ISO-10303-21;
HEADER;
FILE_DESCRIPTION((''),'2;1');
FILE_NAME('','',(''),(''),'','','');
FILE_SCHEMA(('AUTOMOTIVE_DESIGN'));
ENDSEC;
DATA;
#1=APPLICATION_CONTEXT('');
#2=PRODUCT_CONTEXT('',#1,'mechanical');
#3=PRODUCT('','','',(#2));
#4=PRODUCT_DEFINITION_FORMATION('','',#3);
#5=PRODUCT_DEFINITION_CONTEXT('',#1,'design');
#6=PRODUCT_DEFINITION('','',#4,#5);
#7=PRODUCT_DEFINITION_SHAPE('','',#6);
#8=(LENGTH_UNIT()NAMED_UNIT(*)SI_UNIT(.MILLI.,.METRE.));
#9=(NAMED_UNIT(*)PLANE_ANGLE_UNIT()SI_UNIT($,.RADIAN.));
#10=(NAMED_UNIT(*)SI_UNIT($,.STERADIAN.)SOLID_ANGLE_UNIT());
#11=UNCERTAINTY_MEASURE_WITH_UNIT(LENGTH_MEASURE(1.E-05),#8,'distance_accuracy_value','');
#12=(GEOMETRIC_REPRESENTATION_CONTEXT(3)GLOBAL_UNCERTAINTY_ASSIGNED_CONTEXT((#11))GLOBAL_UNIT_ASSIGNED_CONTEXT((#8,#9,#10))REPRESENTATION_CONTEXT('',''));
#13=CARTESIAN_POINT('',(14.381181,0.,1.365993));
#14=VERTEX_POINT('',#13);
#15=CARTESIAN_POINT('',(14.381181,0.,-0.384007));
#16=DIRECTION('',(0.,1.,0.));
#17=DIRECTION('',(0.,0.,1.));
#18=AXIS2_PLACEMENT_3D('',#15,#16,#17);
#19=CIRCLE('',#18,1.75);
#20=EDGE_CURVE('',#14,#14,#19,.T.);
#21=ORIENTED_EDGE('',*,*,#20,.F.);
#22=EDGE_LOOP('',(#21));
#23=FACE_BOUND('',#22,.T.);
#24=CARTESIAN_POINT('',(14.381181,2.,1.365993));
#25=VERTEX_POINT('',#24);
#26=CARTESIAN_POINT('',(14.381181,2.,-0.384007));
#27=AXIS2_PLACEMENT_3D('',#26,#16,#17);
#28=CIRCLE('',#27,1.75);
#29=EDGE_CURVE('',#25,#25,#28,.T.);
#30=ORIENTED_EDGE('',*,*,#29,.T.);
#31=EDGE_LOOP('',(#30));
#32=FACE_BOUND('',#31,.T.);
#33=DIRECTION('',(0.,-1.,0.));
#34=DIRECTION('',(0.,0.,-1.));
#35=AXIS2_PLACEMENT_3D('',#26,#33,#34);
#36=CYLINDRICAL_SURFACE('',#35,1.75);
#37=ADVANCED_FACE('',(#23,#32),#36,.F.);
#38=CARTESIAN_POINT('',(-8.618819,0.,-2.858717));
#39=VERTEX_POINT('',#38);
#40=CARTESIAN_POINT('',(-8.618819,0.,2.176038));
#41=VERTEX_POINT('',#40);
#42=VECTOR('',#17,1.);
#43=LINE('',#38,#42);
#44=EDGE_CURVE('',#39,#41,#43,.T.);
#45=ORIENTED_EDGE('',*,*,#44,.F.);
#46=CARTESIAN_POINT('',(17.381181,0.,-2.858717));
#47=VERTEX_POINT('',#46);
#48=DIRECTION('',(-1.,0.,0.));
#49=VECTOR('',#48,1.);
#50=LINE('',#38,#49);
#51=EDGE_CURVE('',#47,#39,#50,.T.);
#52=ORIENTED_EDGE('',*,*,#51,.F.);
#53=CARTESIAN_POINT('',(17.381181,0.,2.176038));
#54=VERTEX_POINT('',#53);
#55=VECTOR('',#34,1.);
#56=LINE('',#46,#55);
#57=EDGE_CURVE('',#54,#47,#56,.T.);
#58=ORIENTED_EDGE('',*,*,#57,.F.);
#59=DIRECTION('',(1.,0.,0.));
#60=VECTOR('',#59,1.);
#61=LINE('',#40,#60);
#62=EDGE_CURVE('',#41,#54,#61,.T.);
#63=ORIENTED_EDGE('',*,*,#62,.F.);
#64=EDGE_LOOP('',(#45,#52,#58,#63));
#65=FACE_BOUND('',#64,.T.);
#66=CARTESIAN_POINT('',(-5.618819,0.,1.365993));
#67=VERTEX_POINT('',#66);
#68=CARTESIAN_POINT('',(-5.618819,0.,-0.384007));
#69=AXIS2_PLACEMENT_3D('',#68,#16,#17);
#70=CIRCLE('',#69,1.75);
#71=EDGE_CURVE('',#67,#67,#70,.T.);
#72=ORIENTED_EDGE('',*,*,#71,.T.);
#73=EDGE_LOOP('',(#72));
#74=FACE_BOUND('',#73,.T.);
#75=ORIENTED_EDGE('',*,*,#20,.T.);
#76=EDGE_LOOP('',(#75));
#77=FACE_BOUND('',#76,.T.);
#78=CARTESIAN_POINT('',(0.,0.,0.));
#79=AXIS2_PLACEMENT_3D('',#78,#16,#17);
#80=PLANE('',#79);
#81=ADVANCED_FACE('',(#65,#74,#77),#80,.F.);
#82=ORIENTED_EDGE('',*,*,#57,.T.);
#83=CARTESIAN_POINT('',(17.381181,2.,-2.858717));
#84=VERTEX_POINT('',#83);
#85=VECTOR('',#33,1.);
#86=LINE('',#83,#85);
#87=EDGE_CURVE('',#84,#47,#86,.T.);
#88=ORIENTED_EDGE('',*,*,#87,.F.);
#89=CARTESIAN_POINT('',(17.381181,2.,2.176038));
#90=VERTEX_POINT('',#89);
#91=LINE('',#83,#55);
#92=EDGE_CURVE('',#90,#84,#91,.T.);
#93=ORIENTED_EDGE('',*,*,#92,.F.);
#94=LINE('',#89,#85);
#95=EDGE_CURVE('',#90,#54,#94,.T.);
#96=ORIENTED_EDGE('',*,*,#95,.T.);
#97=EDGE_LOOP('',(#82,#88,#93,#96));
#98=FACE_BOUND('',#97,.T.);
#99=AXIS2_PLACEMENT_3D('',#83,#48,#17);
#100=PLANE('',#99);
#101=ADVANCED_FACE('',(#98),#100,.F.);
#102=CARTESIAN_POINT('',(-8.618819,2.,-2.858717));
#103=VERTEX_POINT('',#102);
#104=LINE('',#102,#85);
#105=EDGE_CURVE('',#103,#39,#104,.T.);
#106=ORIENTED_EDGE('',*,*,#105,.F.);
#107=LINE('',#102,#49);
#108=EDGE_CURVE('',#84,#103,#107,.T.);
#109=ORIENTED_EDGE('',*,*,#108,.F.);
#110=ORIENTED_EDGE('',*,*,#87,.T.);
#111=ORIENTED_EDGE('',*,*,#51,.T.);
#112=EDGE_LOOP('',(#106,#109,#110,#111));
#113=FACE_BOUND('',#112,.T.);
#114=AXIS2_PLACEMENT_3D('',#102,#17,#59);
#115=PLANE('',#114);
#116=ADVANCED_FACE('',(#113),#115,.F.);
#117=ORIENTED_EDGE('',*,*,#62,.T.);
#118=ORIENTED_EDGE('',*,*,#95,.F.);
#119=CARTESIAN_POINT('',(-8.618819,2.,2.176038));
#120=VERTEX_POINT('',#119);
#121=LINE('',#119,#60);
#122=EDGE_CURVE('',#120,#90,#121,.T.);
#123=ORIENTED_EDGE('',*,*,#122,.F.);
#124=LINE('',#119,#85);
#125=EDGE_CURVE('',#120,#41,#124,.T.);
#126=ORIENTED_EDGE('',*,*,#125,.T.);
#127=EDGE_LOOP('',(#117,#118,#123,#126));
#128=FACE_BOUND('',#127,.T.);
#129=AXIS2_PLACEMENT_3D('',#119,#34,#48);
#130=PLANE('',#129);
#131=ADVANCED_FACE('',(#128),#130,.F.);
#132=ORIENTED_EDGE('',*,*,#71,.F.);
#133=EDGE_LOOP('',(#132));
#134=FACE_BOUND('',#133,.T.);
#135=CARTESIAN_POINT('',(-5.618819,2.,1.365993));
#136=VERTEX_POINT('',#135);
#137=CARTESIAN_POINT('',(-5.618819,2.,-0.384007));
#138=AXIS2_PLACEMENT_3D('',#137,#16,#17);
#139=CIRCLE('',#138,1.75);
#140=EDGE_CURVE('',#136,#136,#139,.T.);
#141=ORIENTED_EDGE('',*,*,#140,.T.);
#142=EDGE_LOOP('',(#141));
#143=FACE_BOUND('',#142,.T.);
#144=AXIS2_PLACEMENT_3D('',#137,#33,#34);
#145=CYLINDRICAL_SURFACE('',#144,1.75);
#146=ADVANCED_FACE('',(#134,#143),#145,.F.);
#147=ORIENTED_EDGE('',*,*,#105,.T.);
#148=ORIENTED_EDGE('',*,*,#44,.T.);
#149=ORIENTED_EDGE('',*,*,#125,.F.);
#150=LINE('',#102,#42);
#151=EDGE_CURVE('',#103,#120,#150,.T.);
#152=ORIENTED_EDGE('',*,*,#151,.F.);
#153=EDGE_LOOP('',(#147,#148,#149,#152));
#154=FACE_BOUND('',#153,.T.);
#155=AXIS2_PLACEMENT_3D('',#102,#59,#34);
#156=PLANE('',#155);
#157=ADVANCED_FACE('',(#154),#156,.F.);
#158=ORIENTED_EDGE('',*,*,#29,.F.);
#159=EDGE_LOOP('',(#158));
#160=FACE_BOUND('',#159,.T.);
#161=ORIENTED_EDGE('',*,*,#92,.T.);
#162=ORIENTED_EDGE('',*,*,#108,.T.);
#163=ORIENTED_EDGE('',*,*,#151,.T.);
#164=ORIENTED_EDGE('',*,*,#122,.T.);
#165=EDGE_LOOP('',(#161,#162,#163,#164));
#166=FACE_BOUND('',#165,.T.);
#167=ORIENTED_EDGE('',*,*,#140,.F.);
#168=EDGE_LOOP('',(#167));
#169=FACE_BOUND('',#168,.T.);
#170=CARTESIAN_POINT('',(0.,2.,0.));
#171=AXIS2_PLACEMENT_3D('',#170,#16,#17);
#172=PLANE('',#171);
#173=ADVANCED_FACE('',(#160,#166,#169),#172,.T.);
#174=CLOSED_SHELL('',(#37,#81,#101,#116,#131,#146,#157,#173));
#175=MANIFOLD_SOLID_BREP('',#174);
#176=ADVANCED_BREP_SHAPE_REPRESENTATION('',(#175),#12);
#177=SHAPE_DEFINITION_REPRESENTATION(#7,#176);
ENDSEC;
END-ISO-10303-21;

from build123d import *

# Parameters (mm, degrees)
SKETCH_1_W      = 26
SKETCH_1_H      = 5.034755363
SKETCH_1_R      = 1.75
EXTRUDE_1_DEPTH = 2


with BuildPart() as part:
    # 草图1 → 凸台-拉伸1 (new body)
    with BuildSketch(Plane(origin=(0, 0, 0), x_dir=(1, 0, 0), z_dir=(0, 1, 0))):
        with Locations((4.381181498, 0.341339346)):
            Rectangle(SKETCH_1_W, SKETCH_1_H)
        with Locations(Location((-5.618818502, 0.384006765, 0), (0, 0, 270))):
            Circle(SKETCH_1_R, mode=Mode.SUBTRACT)
        with Locations(Location((14.381181498, 0.384006765, 0), (0, 0, 270))):
            Circle(SKETCH_1_R, mode=Mode.SUBTRACT)
    extrude(amount=EXTRUDE_1_DEPTH)


solid = part.part
